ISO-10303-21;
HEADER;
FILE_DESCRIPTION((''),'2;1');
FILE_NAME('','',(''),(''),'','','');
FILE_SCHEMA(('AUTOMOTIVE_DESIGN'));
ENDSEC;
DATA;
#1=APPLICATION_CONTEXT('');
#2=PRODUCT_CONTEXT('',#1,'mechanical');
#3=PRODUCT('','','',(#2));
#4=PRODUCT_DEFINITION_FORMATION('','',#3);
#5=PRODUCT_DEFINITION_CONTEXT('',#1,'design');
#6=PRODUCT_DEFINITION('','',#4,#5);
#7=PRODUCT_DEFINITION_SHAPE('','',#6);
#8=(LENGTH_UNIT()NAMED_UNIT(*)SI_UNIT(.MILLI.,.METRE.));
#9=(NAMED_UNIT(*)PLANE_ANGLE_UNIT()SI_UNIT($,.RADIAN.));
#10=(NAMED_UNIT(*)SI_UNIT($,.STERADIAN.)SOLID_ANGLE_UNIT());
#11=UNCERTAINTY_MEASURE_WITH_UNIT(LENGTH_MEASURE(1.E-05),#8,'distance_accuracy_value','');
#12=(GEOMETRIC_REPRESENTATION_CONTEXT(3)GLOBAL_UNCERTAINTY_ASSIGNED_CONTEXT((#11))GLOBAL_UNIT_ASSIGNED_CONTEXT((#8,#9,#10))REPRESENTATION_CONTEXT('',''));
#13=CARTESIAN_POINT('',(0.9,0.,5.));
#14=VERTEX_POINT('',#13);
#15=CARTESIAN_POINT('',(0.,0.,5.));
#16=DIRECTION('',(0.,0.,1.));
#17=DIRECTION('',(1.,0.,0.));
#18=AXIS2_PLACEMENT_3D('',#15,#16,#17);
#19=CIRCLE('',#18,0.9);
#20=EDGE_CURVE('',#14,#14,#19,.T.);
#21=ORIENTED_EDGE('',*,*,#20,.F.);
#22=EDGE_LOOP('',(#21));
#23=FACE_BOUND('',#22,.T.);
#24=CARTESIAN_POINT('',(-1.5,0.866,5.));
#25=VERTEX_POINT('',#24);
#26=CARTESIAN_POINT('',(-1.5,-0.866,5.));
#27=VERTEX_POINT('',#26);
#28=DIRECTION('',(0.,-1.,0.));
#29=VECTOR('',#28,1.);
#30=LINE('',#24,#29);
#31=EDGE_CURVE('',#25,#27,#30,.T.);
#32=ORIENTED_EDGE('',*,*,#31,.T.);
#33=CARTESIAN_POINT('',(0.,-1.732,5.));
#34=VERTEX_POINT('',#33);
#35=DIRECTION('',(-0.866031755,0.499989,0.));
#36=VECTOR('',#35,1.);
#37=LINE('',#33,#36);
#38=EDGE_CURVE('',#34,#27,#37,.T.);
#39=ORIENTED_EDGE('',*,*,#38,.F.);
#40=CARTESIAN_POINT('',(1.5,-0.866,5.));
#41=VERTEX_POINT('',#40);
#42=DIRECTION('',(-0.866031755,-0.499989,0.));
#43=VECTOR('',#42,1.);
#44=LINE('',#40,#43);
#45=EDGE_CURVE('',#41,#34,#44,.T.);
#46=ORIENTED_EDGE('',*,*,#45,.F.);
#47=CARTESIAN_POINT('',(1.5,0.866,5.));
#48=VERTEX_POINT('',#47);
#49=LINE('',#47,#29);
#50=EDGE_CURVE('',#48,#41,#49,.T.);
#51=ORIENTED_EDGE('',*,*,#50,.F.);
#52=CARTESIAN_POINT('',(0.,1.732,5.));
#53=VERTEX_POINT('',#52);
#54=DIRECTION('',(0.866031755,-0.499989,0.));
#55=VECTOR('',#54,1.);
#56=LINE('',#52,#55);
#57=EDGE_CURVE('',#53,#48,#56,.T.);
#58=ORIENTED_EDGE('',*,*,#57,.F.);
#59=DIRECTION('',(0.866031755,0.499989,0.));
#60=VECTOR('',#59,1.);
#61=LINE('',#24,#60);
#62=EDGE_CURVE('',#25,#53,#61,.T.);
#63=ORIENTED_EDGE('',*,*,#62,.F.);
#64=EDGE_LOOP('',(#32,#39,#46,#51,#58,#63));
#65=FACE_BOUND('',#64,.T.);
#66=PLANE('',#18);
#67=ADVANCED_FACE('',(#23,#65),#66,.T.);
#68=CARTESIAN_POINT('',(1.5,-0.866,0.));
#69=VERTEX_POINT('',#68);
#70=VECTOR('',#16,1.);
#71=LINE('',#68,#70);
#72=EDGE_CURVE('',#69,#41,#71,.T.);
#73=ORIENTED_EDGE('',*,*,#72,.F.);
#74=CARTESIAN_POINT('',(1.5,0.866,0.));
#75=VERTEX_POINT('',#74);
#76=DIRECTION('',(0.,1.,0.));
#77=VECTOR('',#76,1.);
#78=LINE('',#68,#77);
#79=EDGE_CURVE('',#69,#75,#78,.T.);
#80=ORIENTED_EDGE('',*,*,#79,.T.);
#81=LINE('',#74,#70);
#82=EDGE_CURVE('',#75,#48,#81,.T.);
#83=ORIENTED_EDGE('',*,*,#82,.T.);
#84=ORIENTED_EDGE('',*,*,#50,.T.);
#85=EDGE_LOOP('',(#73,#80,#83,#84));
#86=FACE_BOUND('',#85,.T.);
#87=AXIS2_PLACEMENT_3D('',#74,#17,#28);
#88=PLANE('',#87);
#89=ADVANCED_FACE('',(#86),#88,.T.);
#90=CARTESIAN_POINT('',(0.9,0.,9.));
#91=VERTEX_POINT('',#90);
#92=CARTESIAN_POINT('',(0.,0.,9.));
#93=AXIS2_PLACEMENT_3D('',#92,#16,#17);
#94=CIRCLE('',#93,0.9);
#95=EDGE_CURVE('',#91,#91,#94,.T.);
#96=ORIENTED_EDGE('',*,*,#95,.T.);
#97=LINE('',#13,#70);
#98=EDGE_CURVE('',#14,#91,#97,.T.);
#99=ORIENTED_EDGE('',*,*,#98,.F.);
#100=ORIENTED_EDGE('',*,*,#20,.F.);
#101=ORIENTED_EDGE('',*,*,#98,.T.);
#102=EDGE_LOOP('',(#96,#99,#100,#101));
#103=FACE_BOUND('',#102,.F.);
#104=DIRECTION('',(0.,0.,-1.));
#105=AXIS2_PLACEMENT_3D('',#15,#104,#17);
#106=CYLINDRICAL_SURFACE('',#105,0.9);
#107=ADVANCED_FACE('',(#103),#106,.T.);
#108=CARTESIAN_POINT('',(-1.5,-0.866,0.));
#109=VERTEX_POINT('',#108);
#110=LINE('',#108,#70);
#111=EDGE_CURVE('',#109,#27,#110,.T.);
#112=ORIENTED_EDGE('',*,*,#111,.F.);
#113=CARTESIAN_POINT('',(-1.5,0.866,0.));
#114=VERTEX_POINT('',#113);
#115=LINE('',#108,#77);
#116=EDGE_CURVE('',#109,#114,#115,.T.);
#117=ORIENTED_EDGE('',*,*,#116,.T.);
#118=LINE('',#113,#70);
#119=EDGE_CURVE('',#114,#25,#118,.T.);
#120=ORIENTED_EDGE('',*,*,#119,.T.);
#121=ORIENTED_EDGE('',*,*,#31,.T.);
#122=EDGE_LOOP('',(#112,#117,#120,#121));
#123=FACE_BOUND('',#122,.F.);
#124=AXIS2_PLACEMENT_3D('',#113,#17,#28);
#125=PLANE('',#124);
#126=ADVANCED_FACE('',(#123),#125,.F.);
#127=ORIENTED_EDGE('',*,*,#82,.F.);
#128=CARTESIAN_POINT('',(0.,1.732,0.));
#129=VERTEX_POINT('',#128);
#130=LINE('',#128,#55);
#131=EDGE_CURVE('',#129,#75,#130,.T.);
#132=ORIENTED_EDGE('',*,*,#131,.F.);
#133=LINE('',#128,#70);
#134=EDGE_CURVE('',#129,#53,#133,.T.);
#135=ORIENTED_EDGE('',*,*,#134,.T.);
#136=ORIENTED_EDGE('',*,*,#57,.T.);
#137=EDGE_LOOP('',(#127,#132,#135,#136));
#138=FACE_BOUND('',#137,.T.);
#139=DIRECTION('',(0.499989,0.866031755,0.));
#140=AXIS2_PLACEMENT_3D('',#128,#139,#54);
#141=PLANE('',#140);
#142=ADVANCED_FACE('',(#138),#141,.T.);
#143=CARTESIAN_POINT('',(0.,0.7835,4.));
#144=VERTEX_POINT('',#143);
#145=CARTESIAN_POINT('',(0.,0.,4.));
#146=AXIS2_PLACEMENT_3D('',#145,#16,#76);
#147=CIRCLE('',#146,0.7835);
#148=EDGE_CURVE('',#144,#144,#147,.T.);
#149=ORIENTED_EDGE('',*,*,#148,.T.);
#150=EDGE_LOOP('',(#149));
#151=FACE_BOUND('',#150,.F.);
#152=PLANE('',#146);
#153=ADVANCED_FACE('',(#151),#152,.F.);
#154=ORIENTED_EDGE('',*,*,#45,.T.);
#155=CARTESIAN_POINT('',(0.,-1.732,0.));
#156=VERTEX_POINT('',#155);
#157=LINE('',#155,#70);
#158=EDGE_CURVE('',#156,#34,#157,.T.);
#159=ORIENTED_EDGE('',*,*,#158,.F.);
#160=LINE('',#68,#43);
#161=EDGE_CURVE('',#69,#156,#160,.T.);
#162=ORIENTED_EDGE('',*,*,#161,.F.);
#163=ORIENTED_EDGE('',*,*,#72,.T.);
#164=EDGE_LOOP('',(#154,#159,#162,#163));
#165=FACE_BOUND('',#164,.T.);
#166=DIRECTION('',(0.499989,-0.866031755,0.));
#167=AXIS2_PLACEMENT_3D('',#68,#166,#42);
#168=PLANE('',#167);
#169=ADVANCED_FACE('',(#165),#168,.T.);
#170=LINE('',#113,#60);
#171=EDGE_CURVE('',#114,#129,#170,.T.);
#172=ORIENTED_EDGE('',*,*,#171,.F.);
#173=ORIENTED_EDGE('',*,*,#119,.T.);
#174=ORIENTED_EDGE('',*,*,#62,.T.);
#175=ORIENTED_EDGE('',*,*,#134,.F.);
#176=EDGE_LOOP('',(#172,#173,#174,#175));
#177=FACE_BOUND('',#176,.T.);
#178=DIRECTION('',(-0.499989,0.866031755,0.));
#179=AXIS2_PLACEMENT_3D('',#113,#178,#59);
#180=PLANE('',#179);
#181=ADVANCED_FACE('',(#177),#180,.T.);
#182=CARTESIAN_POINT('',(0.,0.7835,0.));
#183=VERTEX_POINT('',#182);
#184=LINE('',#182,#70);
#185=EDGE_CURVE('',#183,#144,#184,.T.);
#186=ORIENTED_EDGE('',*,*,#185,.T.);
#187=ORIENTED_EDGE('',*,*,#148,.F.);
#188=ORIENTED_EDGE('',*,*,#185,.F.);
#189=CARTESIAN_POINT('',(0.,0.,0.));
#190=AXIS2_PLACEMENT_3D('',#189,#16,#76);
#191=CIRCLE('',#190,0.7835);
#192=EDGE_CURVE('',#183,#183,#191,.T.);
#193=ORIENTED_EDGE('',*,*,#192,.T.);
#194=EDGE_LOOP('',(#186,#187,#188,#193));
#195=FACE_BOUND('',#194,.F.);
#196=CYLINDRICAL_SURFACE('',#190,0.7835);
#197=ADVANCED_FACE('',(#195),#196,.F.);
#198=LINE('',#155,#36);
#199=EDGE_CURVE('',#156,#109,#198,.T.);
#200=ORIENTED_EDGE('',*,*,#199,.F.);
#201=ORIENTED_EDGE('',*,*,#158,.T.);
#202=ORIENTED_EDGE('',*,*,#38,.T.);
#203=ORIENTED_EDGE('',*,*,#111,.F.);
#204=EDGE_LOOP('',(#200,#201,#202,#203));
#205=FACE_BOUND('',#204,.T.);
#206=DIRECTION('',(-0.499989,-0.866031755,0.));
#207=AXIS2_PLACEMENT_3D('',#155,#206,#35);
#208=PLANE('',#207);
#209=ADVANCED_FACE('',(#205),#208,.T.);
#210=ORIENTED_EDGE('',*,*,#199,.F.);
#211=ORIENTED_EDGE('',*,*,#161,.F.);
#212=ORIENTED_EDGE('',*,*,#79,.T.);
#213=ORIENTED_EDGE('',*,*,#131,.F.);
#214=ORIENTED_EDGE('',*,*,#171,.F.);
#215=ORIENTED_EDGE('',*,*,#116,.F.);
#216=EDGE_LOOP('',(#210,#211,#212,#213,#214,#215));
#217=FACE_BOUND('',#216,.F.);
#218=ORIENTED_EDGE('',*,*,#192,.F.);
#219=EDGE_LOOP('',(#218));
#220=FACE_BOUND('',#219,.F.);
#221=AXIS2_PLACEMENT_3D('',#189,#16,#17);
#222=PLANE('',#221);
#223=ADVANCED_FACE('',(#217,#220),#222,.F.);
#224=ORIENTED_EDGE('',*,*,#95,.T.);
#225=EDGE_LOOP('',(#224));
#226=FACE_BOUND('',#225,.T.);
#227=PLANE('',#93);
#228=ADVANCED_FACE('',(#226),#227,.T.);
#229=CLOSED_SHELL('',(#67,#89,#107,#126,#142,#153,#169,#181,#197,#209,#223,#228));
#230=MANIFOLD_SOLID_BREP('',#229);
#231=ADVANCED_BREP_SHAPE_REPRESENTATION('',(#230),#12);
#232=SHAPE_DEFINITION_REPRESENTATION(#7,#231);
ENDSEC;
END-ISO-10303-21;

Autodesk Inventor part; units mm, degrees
ref_plane "YZ Plane" through (0, 0, 0) normal (1, 0, 0) x (0, 1, 0)
ref_plane "XZ Plane" through (0, 0, 0) normal (0, 1, 0) x (-1, 0, 0)
ref_plane "XY Plane" through (0, 0, 0) normal (0, 0, 1) x (1, 0, 0)
sketch "Sketch1" plane through (0, 0, 0) normal (0, 0, 1) x (1, 0, 0)
  line L0 (1.5, 0.866) -> (1.5, -0.866)
  line L1 (1.5, -0.866) -> (0, -1.732)
  line L2 (0, -1.732) -> (-1.5, -0.866)
  line L3 (-1.5, 0.866) -> (-1.5, -0.866)
  line L4 (-1.5, 0.866) -> (0, 1.732)
  line L5 (0, 1.732) -> (1.5, 0.866)
  circle A0 centre (0, 0) radius 1.732 construction
  line L6 (0, 30.018) -> (0, -6.2677) construction
  line L7 (0, -13.5249) -> (0, 37.2751) projected
  line L8 (-2.4248, 0) -> (2.4248, 0) projected
  dimension "d0" = 3.464
  dimension "d20" = 2.9999
  dimension "d21" = 1.732
extrude "Hexagon1" add sketch "Sketch1" along normal blind 5
hole "Hole1" at (0, 0, 0) direction (0, 0, 1) diameter 1.567 depth 4 thread size "M2x0.4" class "6H" standard "ISO Metric profile"
sketch "Sketch2" plane through (0, 0, 5) normal (0, 0, 1) x (1, 0, 0)
  circle A0 centre (0, 0) radius 0.9
  dimension "d22" = 1.8
extrude "Extrusion2" add sketch "Sketch2" along normal blind 4
thread "Thread3" size "M2x0.4" class "6g" standard "ISO Metric profile" full length
properties part number "Spacer-M2-05" material "Brass, Soft Yellow, Welded"
